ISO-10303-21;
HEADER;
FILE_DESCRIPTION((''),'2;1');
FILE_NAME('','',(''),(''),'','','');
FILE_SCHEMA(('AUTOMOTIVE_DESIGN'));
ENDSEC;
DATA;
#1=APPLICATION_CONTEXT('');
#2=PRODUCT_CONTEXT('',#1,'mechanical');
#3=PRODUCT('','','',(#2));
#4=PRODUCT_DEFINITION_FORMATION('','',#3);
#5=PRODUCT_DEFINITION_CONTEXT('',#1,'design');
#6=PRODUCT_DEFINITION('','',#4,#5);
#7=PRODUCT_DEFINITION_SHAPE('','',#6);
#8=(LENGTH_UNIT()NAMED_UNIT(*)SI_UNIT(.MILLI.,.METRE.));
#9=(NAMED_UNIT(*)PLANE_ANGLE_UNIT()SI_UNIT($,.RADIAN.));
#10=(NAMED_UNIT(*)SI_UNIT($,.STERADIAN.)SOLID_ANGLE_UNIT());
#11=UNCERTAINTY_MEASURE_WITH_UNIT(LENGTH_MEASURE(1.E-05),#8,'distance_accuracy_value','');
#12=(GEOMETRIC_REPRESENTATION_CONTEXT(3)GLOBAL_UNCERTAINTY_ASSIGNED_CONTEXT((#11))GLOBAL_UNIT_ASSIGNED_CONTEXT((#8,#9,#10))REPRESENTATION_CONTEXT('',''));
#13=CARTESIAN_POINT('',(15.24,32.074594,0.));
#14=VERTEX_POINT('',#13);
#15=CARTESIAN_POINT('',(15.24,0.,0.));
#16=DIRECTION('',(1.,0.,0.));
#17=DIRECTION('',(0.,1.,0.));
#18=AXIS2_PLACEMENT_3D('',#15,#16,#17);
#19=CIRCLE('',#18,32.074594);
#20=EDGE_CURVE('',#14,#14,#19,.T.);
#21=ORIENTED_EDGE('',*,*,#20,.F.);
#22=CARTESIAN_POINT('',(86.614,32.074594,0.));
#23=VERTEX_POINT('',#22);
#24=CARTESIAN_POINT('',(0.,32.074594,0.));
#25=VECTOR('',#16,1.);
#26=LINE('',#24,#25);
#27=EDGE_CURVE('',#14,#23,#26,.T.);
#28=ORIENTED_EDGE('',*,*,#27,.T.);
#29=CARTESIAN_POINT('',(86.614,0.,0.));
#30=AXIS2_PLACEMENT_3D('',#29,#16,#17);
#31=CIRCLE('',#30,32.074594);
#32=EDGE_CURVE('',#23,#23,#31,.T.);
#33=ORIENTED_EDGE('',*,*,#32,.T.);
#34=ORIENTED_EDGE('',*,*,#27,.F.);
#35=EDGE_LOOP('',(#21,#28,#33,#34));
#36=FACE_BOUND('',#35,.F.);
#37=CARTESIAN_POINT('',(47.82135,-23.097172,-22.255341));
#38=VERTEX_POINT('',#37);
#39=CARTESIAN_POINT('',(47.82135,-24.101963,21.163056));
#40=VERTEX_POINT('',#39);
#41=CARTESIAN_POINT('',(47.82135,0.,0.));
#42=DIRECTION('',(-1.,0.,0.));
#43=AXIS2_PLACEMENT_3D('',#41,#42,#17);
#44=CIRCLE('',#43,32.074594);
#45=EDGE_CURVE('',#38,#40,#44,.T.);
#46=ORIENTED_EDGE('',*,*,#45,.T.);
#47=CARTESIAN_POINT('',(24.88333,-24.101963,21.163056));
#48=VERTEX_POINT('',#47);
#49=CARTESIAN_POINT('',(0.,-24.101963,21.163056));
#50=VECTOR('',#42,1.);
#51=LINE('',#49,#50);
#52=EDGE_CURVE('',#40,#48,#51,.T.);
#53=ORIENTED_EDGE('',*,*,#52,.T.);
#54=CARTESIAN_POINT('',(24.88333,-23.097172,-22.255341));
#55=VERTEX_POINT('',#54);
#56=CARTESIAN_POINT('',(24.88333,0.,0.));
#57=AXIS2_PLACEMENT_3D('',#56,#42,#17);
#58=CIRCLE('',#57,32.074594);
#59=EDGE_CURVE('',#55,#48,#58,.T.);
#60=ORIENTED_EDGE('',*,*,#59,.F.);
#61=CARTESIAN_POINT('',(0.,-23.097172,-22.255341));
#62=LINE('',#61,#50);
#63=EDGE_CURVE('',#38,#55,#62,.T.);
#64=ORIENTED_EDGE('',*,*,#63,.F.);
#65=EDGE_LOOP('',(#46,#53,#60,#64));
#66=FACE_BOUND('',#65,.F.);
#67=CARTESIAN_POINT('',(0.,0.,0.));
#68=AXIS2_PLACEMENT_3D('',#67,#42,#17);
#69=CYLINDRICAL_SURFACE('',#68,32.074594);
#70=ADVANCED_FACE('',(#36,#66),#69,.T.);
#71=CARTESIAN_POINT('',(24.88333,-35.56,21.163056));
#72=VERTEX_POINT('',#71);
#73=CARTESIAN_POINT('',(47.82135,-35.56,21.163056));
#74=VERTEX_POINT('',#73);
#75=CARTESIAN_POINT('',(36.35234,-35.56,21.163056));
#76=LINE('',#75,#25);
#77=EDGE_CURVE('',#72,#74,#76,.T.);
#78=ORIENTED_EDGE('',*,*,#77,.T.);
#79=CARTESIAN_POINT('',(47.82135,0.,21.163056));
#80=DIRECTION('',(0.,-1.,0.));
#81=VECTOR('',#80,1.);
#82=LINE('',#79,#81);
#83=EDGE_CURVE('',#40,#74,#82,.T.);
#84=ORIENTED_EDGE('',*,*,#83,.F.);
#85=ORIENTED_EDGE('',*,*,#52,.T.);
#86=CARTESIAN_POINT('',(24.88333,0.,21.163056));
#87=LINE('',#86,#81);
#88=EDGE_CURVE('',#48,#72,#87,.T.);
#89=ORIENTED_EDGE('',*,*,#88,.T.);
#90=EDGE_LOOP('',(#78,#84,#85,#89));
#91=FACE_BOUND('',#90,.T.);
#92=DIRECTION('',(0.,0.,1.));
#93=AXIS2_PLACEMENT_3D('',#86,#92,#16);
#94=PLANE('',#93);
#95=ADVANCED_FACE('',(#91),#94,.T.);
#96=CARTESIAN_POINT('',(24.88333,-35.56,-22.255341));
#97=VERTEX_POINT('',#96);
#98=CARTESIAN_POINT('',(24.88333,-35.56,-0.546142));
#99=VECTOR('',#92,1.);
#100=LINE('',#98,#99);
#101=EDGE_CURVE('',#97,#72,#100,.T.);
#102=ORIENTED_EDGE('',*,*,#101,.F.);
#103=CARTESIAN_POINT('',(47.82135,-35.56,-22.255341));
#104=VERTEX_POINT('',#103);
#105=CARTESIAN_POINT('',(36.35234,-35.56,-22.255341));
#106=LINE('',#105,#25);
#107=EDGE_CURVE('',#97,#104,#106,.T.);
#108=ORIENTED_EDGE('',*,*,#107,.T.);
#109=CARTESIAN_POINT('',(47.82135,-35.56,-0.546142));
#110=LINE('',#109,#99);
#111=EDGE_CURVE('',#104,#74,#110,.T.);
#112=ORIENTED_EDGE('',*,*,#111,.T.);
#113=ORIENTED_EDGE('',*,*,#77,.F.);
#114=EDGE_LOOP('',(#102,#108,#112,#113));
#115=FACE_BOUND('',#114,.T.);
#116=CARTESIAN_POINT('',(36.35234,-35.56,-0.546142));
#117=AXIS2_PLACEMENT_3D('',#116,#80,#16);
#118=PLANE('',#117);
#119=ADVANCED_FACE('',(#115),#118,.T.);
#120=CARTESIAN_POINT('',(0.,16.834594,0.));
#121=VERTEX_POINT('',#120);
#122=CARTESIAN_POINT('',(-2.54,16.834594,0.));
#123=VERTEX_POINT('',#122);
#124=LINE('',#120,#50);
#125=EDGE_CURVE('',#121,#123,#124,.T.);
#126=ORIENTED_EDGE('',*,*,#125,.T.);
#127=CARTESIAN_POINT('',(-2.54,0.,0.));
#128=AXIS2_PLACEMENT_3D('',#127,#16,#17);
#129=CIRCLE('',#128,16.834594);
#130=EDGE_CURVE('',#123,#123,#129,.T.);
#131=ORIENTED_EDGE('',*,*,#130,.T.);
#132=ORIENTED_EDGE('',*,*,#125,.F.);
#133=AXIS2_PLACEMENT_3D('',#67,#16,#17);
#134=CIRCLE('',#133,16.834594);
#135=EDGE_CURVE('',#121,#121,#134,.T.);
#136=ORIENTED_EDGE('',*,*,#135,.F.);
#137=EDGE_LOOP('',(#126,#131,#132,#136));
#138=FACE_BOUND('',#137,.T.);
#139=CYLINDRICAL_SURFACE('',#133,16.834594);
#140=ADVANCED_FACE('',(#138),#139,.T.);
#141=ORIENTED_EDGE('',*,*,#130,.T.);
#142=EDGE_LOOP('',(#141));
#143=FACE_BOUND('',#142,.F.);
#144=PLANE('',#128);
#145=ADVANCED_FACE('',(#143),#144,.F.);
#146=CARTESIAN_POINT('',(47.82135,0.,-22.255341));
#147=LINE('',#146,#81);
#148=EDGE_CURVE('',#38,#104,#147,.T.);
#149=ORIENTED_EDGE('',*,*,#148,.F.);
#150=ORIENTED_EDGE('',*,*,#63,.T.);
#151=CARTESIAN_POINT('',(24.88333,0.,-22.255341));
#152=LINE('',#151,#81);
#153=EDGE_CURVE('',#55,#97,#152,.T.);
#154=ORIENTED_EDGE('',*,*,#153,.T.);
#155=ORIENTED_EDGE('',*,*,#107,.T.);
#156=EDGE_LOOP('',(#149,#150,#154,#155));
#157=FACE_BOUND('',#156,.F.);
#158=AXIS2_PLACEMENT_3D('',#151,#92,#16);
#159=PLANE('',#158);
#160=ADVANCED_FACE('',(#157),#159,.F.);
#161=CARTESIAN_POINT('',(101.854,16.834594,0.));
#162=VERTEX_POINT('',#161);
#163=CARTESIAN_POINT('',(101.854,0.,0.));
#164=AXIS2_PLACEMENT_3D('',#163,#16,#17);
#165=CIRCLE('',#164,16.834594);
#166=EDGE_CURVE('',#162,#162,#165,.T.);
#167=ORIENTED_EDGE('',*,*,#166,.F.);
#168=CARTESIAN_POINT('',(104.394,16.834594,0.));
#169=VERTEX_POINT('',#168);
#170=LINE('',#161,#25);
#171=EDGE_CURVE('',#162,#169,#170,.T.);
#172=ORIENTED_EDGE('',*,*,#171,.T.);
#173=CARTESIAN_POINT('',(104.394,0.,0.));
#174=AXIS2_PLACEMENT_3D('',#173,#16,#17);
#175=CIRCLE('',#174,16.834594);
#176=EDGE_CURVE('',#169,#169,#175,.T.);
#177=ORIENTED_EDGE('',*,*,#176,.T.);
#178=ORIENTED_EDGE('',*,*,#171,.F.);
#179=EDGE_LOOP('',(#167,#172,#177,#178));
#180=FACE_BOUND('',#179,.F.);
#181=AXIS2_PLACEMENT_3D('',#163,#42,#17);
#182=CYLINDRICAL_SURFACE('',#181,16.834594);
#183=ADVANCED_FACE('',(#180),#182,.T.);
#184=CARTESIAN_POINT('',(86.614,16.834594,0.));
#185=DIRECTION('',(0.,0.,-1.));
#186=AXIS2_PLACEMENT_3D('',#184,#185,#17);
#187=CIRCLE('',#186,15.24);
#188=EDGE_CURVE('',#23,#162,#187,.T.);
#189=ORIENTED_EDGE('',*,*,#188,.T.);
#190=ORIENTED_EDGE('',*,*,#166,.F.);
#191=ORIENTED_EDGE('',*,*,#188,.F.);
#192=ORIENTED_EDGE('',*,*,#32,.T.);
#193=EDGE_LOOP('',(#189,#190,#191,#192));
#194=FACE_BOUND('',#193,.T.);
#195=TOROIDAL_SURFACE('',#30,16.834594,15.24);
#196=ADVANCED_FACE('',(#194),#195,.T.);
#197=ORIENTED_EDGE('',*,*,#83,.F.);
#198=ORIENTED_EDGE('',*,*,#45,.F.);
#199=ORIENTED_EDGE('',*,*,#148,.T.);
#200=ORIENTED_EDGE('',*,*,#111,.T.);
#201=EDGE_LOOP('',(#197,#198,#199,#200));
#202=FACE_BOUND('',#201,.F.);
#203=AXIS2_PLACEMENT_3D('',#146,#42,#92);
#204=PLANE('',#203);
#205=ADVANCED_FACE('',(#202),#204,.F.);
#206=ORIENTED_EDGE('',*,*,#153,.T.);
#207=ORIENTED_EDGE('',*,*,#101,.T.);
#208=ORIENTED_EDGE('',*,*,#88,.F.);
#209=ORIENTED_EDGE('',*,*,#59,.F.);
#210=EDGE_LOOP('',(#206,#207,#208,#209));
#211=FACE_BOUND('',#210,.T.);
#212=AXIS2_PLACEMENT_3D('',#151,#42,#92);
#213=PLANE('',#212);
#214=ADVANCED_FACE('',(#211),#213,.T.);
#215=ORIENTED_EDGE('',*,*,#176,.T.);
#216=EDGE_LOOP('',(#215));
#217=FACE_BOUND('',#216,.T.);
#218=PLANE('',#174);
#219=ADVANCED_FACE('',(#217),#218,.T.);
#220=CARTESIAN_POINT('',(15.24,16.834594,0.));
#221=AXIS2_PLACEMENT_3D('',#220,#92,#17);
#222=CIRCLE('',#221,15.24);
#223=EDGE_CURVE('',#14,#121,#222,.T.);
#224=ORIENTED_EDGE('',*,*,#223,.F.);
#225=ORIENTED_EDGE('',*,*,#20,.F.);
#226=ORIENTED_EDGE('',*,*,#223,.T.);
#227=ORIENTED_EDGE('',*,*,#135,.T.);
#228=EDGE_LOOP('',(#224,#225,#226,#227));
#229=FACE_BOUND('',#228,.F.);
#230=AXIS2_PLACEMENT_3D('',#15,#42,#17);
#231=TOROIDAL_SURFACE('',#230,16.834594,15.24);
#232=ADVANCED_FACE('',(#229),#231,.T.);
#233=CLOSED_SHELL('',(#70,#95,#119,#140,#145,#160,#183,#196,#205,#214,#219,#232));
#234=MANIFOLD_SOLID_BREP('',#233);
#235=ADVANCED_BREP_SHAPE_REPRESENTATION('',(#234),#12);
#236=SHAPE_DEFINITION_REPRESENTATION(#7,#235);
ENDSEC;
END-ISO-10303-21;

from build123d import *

# Parameters (mm, degrees)
F0_R     = 32.0745936063
F1_DEPTH = 101.854
F2_R     = 15.24
F3_DEPTH = 2.54
F4_DEPTH = 2.54
F5_W     = 22.9380205274
F5_H     = 43.4183962643
F6_DEPTH = 35.56
F7_DEPTH = 25.4


with BuildPart() as f1:
    # F0 (on Right) → F1 (new body)
    with BuildSketch(Plane.YZ):
        Circle(F0_R)
    extrude(amount=F1_DEPTH)

    # F2
    f2_edges = [f1.edges().sort_by_distance(p)[0] for p in [
        (101.854, -32.074594, 0),
        (50.927, 32.074594, 0),
        (0, -32.074594, 0),
    ]]
    fillet(f2_edges, radius=F2_R)

    # F3 (add): a face of the model
    f3_faces = [f1.faces().sort_by_distance(p)[0] for p in [
        (101.854, 0, 0),
    ]]
    extrude(f3_faces, amount=F3_DEPTH)

    # F4 (add): a face of the model
    f4_faces = [f1.faces().sort_by_distance(p)[0] for p in [
        (0, 0, 0),
    ]]
    extrude(f4_faces, amount=F4_DEPTH)

    # F5 (on Front) → F6 (join)
    with BuildSketch(Plane.XZ):
        with Locations((36.352340132, -0.5461424589)):
            Rectangle(F5_W, F5_H)
    extrude(amount=F6_DEPTH)

    # F7 (add): a face of the model
    f7_faces = [f1.faces().sort_by_distance(p)[0] for p in [
        (104.394, 0, 0),
    ]]
    extrude(f7_faces, amount=-F7_DEPTH)


solid = f1.part
